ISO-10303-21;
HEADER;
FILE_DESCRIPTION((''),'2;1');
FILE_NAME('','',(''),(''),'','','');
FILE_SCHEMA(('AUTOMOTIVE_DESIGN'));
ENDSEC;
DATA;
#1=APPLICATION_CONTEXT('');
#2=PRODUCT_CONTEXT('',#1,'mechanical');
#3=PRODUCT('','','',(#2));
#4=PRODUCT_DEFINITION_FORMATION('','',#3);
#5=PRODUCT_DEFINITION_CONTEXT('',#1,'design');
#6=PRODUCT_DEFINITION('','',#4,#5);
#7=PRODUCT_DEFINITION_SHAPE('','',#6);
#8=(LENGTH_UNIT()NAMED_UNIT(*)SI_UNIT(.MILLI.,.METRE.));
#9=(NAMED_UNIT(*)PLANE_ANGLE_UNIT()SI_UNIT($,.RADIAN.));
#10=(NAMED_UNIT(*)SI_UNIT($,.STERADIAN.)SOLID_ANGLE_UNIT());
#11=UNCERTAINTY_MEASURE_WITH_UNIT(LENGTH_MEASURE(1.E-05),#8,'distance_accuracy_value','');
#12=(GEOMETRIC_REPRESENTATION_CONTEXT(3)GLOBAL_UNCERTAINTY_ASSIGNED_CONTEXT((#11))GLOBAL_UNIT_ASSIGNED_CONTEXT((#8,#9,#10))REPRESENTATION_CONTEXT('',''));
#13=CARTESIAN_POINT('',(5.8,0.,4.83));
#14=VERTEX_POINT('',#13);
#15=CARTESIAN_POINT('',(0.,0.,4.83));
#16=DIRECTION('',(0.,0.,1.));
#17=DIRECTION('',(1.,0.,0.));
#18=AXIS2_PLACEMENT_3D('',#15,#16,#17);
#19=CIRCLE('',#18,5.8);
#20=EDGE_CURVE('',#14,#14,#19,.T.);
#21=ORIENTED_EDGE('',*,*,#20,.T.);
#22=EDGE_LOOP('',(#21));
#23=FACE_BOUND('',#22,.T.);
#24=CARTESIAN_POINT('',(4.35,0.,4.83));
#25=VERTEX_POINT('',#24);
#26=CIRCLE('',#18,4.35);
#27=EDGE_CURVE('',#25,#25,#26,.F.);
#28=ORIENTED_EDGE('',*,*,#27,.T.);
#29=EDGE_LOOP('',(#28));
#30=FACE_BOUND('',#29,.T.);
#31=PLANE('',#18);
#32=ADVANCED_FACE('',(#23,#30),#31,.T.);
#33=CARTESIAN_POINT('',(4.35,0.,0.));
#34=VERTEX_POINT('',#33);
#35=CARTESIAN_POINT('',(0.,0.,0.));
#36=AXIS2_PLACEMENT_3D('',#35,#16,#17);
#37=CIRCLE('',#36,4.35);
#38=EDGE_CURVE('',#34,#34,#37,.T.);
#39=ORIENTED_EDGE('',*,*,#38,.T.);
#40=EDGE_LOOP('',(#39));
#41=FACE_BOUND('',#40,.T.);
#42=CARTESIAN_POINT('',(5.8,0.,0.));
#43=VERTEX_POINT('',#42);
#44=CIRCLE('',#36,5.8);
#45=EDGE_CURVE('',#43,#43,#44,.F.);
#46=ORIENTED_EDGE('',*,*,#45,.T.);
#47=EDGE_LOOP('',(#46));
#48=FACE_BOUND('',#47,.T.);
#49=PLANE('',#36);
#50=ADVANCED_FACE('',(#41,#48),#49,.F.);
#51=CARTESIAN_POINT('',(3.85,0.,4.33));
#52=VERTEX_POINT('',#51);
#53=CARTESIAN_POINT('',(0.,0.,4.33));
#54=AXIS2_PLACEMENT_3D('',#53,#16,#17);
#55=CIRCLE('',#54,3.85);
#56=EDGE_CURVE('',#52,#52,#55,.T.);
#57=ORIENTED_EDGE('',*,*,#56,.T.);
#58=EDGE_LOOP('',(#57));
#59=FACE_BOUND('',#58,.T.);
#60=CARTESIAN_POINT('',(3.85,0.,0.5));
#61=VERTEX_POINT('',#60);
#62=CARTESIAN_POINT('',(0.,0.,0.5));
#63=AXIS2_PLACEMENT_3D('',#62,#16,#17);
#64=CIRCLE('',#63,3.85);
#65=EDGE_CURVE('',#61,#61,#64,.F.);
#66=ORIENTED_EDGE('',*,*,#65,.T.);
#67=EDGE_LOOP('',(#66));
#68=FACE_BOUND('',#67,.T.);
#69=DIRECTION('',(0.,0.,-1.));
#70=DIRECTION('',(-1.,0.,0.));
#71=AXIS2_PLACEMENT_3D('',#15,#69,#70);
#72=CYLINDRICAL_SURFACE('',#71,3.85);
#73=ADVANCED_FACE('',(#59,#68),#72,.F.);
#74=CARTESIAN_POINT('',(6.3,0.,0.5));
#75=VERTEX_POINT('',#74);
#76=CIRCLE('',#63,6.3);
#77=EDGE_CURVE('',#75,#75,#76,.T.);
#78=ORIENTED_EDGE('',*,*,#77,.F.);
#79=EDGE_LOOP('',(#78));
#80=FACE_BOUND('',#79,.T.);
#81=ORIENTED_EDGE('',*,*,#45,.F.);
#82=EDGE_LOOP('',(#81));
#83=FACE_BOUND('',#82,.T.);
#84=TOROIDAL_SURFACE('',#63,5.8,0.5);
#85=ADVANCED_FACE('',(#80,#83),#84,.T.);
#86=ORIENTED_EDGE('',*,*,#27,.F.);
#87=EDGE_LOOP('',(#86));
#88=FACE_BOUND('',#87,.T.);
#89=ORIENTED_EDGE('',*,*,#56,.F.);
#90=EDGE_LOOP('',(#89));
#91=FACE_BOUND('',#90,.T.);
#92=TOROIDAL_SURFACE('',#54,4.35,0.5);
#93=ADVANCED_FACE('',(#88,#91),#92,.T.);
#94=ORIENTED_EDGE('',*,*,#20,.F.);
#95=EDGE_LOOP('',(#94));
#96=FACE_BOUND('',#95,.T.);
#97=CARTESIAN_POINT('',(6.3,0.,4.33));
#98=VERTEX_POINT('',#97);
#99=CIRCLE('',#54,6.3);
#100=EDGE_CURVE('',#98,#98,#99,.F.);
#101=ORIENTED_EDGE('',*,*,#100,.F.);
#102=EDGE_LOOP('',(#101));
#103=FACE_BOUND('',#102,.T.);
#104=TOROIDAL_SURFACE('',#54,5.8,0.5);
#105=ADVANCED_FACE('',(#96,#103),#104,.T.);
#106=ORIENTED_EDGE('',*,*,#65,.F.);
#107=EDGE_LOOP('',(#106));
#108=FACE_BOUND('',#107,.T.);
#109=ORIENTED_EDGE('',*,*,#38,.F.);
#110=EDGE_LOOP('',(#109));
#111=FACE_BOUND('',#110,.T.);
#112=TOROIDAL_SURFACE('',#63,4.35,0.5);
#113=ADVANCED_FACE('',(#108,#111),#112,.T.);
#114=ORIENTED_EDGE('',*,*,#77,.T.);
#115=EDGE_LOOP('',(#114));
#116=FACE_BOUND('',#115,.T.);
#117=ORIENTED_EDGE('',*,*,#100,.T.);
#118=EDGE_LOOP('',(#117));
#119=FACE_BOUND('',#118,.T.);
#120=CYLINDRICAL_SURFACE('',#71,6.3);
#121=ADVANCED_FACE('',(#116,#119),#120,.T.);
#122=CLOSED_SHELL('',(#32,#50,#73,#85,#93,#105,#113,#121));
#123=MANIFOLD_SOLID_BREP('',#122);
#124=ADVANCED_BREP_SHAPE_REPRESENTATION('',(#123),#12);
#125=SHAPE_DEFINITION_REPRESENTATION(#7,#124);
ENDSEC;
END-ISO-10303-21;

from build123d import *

# Parameters (mm, degrees)
SKETCH_1_R      = 6.3
SKETCH_1_R_2    = 3.85
EXTRUDE_1_DEPTH = 4.83
FILLET_1_R      = 0.5


with BuildPart() as part:
    # Эскиз1 → Бобышка-Вытянуть1 (new body)
    with BuildSketch(Plane.XY):
        Circle(SKETCH_1_R)
        Circle(SKETCH_1_R_2, mode=Mode.SUBTRACT)
    extrude(amount=EXTRUDE_1_DEPTH)

    # Скругление1
    fillet_1_edges = [part.edges().sort_by_distance(p)[0] for p in [
        (-6.3, 0, 0),
        (-6.3, 0, 4.83),
        (-3.85, 0, 0),
        (-3.85, 0, 4.83),
    ]]
    fillet(fillet_1_edges, radius=FILLET_1_R)


solid = part.part
